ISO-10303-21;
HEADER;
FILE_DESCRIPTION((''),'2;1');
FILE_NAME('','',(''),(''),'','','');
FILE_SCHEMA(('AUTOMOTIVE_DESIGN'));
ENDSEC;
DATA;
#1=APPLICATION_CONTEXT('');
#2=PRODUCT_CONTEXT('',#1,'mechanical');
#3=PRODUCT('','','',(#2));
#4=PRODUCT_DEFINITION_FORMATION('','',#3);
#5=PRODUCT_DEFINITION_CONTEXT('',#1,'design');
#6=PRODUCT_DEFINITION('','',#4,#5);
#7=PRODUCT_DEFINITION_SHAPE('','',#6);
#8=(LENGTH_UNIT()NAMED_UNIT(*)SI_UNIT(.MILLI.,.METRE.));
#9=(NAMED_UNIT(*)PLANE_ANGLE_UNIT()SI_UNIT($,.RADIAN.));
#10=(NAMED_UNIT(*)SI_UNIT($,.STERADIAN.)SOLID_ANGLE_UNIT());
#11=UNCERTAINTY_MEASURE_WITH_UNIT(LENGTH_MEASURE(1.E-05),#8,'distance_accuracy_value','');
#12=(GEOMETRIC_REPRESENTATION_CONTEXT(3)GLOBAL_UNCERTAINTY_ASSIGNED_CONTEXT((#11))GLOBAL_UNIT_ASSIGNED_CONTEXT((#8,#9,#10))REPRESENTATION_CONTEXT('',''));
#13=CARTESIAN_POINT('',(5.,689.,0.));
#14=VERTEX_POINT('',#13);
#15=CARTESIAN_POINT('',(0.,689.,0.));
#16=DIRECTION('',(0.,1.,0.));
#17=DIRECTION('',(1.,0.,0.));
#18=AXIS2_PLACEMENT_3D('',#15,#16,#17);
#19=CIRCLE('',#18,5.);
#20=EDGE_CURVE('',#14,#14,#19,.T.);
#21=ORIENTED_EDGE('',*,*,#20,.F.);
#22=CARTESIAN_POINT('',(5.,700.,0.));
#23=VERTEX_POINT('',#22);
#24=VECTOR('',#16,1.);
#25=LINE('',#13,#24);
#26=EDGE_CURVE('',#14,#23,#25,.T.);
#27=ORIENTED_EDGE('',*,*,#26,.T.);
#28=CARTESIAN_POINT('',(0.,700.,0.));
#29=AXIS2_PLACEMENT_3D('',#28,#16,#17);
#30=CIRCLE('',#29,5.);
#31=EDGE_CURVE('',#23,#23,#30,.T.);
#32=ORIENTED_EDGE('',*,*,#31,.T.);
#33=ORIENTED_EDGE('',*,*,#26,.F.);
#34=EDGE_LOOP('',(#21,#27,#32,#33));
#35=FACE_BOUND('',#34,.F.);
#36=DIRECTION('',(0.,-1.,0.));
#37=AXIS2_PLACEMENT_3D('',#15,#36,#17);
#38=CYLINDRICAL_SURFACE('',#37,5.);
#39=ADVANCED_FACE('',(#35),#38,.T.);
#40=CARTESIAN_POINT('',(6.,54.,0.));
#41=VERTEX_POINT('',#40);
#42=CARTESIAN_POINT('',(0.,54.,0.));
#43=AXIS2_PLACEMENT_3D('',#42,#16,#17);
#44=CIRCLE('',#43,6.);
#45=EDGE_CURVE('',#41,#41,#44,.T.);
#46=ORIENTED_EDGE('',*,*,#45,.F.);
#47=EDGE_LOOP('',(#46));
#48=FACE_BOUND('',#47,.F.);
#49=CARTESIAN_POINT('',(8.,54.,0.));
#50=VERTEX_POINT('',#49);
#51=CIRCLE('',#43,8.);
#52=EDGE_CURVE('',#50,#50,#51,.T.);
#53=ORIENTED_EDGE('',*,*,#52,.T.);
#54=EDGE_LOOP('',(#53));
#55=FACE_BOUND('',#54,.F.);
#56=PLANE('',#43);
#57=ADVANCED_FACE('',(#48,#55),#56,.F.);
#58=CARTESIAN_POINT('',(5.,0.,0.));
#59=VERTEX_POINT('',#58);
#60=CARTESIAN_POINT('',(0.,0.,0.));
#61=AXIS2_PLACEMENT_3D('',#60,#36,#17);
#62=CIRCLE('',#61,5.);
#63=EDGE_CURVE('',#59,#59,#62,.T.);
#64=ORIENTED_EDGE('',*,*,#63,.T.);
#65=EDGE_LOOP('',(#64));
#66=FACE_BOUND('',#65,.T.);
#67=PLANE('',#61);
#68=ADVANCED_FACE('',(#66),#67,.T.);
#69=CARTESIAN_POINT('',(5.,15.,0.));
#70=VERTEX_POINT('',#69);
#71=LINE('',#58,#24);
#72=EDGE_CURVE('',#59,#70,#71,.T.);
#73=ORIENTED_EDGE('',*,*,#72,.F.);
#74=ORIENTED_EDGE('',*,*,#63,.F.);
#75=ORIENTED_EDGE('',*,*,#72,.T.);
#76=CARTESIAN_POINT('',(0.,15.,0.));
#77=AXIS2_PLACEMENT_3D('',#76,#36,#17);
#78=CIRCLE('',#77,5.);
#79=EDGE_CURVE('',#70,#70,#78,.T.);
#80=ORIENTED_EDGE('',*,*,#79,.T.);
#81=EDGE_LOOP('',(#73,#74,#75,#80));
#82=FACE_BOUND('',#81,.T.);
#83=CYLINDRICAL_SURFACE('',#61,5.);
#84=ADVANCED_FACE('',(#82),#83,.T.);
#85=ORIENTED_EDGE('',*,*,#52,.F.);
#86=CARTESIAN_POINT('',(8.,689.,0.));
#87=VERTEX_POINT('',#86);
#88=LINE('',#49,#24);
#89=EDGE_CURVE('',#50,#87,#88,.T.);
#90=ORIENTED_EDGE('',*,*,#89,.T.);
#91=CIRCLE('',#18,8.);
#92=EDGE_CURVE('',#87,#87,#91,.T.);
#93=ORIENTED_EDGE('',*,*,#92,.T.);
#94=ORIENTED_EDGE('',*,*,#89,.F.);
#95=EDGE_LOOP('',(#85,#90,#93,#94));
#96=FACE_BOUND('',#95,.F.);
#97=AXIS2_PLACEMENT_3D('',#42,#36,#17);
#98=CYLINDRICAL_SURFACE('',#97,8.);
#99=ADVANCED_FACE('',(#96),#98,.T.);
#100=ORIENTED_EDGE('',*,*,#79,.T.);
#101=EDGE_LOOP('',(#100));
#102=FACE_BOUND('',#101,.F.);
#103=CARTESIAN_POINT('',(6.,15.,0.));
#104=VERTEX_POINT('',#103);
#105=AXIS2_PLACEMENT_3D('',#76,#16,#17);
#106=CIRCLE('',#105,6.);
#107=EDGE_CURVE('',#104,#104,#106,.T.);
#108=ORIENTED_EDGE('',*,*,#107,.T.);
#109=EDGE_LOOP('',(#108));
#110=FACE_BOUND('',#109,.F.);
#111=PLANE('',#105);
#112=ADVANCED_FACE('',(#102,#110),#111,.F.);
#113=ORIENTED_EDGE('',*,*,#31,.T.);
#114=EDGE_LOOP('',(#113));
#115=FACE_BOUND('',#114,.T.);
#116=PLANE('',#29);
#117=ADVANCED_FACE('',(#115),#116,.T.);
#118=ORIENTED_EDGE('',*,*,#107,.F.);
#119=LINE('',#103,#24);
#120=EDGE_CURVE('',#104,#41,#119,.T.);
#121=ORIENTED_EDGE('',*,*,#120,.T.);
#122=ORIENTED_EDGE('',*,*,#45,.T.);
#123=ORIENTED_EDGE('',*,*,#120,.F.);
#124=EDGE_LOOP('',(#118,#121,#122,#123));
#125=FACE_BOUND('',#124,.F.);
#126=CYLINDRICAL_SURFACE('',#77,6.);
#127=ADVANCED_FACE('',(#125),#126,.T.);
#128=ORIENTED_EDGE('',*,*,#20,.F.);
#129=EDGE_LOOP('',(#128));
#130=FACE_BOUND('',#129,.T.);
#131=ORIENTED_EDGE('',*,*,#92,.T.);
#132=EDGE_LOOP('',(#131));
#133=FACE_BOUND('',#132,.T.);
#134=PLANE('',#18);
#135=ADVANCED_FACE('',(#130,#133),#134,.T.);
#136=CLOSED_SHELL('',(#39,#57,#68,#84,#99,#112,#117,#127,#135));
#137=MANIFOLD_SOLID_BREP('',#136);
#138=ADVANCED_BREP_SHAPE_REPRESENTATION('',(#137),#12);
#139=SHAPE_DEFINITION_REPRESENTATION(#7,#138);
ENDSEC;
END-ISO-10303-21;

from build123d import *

# Parameters (mm, degrees)
SKETCH_R     = 5
PAD_DEPTH    = 15
SKETCH001_R  = 6
PAD001_DEPTH = 39
SKETCH002_R  = 8
PAD002_DEPTH = 635
SKETCH003_R  = 5
PAD003_DEPTH = 11


with BuildPart() as part:
    # Sketch → Pad (new body)
    with BuildSketch(Plane.XZ):
        Circle(SKETCH_R)
    extrude(amount=-PAD_DEPTH)

    # Sketch001 (on Face3 of Pad) → Pad001 (join)
    with BuildSketch(Plane(origin=(0, 15, 0), x_dir=(1, 0, 0), z_dir=(0, 1, 0))):
        Circle(SKETCH001_R)
    extrude(amount=PAD001_DEPTH)

    # Sketch002 (on Face3 of Pad001) → Pad002 (join)
    with BuildSketch(Plane(origin=(0, 54, 0), x_dir=(1, 0, 0), z_dir=(0, 1, 0))):
        Circle(SKETCH002_R)
    extrude(amount=PAD002_DEPTH)

    # Sketch003 (on Face3 of Pad002) → Pad003 (join)
    with BuildSketch(Plane(origin=(0, 689, 0), x_dir=(1, 0, 0), z_dir=(0, 1, 0))):
        Circle(SKETCH003_R)
    extrude(amount=PAD003_DEPTH)


solid = part.part
